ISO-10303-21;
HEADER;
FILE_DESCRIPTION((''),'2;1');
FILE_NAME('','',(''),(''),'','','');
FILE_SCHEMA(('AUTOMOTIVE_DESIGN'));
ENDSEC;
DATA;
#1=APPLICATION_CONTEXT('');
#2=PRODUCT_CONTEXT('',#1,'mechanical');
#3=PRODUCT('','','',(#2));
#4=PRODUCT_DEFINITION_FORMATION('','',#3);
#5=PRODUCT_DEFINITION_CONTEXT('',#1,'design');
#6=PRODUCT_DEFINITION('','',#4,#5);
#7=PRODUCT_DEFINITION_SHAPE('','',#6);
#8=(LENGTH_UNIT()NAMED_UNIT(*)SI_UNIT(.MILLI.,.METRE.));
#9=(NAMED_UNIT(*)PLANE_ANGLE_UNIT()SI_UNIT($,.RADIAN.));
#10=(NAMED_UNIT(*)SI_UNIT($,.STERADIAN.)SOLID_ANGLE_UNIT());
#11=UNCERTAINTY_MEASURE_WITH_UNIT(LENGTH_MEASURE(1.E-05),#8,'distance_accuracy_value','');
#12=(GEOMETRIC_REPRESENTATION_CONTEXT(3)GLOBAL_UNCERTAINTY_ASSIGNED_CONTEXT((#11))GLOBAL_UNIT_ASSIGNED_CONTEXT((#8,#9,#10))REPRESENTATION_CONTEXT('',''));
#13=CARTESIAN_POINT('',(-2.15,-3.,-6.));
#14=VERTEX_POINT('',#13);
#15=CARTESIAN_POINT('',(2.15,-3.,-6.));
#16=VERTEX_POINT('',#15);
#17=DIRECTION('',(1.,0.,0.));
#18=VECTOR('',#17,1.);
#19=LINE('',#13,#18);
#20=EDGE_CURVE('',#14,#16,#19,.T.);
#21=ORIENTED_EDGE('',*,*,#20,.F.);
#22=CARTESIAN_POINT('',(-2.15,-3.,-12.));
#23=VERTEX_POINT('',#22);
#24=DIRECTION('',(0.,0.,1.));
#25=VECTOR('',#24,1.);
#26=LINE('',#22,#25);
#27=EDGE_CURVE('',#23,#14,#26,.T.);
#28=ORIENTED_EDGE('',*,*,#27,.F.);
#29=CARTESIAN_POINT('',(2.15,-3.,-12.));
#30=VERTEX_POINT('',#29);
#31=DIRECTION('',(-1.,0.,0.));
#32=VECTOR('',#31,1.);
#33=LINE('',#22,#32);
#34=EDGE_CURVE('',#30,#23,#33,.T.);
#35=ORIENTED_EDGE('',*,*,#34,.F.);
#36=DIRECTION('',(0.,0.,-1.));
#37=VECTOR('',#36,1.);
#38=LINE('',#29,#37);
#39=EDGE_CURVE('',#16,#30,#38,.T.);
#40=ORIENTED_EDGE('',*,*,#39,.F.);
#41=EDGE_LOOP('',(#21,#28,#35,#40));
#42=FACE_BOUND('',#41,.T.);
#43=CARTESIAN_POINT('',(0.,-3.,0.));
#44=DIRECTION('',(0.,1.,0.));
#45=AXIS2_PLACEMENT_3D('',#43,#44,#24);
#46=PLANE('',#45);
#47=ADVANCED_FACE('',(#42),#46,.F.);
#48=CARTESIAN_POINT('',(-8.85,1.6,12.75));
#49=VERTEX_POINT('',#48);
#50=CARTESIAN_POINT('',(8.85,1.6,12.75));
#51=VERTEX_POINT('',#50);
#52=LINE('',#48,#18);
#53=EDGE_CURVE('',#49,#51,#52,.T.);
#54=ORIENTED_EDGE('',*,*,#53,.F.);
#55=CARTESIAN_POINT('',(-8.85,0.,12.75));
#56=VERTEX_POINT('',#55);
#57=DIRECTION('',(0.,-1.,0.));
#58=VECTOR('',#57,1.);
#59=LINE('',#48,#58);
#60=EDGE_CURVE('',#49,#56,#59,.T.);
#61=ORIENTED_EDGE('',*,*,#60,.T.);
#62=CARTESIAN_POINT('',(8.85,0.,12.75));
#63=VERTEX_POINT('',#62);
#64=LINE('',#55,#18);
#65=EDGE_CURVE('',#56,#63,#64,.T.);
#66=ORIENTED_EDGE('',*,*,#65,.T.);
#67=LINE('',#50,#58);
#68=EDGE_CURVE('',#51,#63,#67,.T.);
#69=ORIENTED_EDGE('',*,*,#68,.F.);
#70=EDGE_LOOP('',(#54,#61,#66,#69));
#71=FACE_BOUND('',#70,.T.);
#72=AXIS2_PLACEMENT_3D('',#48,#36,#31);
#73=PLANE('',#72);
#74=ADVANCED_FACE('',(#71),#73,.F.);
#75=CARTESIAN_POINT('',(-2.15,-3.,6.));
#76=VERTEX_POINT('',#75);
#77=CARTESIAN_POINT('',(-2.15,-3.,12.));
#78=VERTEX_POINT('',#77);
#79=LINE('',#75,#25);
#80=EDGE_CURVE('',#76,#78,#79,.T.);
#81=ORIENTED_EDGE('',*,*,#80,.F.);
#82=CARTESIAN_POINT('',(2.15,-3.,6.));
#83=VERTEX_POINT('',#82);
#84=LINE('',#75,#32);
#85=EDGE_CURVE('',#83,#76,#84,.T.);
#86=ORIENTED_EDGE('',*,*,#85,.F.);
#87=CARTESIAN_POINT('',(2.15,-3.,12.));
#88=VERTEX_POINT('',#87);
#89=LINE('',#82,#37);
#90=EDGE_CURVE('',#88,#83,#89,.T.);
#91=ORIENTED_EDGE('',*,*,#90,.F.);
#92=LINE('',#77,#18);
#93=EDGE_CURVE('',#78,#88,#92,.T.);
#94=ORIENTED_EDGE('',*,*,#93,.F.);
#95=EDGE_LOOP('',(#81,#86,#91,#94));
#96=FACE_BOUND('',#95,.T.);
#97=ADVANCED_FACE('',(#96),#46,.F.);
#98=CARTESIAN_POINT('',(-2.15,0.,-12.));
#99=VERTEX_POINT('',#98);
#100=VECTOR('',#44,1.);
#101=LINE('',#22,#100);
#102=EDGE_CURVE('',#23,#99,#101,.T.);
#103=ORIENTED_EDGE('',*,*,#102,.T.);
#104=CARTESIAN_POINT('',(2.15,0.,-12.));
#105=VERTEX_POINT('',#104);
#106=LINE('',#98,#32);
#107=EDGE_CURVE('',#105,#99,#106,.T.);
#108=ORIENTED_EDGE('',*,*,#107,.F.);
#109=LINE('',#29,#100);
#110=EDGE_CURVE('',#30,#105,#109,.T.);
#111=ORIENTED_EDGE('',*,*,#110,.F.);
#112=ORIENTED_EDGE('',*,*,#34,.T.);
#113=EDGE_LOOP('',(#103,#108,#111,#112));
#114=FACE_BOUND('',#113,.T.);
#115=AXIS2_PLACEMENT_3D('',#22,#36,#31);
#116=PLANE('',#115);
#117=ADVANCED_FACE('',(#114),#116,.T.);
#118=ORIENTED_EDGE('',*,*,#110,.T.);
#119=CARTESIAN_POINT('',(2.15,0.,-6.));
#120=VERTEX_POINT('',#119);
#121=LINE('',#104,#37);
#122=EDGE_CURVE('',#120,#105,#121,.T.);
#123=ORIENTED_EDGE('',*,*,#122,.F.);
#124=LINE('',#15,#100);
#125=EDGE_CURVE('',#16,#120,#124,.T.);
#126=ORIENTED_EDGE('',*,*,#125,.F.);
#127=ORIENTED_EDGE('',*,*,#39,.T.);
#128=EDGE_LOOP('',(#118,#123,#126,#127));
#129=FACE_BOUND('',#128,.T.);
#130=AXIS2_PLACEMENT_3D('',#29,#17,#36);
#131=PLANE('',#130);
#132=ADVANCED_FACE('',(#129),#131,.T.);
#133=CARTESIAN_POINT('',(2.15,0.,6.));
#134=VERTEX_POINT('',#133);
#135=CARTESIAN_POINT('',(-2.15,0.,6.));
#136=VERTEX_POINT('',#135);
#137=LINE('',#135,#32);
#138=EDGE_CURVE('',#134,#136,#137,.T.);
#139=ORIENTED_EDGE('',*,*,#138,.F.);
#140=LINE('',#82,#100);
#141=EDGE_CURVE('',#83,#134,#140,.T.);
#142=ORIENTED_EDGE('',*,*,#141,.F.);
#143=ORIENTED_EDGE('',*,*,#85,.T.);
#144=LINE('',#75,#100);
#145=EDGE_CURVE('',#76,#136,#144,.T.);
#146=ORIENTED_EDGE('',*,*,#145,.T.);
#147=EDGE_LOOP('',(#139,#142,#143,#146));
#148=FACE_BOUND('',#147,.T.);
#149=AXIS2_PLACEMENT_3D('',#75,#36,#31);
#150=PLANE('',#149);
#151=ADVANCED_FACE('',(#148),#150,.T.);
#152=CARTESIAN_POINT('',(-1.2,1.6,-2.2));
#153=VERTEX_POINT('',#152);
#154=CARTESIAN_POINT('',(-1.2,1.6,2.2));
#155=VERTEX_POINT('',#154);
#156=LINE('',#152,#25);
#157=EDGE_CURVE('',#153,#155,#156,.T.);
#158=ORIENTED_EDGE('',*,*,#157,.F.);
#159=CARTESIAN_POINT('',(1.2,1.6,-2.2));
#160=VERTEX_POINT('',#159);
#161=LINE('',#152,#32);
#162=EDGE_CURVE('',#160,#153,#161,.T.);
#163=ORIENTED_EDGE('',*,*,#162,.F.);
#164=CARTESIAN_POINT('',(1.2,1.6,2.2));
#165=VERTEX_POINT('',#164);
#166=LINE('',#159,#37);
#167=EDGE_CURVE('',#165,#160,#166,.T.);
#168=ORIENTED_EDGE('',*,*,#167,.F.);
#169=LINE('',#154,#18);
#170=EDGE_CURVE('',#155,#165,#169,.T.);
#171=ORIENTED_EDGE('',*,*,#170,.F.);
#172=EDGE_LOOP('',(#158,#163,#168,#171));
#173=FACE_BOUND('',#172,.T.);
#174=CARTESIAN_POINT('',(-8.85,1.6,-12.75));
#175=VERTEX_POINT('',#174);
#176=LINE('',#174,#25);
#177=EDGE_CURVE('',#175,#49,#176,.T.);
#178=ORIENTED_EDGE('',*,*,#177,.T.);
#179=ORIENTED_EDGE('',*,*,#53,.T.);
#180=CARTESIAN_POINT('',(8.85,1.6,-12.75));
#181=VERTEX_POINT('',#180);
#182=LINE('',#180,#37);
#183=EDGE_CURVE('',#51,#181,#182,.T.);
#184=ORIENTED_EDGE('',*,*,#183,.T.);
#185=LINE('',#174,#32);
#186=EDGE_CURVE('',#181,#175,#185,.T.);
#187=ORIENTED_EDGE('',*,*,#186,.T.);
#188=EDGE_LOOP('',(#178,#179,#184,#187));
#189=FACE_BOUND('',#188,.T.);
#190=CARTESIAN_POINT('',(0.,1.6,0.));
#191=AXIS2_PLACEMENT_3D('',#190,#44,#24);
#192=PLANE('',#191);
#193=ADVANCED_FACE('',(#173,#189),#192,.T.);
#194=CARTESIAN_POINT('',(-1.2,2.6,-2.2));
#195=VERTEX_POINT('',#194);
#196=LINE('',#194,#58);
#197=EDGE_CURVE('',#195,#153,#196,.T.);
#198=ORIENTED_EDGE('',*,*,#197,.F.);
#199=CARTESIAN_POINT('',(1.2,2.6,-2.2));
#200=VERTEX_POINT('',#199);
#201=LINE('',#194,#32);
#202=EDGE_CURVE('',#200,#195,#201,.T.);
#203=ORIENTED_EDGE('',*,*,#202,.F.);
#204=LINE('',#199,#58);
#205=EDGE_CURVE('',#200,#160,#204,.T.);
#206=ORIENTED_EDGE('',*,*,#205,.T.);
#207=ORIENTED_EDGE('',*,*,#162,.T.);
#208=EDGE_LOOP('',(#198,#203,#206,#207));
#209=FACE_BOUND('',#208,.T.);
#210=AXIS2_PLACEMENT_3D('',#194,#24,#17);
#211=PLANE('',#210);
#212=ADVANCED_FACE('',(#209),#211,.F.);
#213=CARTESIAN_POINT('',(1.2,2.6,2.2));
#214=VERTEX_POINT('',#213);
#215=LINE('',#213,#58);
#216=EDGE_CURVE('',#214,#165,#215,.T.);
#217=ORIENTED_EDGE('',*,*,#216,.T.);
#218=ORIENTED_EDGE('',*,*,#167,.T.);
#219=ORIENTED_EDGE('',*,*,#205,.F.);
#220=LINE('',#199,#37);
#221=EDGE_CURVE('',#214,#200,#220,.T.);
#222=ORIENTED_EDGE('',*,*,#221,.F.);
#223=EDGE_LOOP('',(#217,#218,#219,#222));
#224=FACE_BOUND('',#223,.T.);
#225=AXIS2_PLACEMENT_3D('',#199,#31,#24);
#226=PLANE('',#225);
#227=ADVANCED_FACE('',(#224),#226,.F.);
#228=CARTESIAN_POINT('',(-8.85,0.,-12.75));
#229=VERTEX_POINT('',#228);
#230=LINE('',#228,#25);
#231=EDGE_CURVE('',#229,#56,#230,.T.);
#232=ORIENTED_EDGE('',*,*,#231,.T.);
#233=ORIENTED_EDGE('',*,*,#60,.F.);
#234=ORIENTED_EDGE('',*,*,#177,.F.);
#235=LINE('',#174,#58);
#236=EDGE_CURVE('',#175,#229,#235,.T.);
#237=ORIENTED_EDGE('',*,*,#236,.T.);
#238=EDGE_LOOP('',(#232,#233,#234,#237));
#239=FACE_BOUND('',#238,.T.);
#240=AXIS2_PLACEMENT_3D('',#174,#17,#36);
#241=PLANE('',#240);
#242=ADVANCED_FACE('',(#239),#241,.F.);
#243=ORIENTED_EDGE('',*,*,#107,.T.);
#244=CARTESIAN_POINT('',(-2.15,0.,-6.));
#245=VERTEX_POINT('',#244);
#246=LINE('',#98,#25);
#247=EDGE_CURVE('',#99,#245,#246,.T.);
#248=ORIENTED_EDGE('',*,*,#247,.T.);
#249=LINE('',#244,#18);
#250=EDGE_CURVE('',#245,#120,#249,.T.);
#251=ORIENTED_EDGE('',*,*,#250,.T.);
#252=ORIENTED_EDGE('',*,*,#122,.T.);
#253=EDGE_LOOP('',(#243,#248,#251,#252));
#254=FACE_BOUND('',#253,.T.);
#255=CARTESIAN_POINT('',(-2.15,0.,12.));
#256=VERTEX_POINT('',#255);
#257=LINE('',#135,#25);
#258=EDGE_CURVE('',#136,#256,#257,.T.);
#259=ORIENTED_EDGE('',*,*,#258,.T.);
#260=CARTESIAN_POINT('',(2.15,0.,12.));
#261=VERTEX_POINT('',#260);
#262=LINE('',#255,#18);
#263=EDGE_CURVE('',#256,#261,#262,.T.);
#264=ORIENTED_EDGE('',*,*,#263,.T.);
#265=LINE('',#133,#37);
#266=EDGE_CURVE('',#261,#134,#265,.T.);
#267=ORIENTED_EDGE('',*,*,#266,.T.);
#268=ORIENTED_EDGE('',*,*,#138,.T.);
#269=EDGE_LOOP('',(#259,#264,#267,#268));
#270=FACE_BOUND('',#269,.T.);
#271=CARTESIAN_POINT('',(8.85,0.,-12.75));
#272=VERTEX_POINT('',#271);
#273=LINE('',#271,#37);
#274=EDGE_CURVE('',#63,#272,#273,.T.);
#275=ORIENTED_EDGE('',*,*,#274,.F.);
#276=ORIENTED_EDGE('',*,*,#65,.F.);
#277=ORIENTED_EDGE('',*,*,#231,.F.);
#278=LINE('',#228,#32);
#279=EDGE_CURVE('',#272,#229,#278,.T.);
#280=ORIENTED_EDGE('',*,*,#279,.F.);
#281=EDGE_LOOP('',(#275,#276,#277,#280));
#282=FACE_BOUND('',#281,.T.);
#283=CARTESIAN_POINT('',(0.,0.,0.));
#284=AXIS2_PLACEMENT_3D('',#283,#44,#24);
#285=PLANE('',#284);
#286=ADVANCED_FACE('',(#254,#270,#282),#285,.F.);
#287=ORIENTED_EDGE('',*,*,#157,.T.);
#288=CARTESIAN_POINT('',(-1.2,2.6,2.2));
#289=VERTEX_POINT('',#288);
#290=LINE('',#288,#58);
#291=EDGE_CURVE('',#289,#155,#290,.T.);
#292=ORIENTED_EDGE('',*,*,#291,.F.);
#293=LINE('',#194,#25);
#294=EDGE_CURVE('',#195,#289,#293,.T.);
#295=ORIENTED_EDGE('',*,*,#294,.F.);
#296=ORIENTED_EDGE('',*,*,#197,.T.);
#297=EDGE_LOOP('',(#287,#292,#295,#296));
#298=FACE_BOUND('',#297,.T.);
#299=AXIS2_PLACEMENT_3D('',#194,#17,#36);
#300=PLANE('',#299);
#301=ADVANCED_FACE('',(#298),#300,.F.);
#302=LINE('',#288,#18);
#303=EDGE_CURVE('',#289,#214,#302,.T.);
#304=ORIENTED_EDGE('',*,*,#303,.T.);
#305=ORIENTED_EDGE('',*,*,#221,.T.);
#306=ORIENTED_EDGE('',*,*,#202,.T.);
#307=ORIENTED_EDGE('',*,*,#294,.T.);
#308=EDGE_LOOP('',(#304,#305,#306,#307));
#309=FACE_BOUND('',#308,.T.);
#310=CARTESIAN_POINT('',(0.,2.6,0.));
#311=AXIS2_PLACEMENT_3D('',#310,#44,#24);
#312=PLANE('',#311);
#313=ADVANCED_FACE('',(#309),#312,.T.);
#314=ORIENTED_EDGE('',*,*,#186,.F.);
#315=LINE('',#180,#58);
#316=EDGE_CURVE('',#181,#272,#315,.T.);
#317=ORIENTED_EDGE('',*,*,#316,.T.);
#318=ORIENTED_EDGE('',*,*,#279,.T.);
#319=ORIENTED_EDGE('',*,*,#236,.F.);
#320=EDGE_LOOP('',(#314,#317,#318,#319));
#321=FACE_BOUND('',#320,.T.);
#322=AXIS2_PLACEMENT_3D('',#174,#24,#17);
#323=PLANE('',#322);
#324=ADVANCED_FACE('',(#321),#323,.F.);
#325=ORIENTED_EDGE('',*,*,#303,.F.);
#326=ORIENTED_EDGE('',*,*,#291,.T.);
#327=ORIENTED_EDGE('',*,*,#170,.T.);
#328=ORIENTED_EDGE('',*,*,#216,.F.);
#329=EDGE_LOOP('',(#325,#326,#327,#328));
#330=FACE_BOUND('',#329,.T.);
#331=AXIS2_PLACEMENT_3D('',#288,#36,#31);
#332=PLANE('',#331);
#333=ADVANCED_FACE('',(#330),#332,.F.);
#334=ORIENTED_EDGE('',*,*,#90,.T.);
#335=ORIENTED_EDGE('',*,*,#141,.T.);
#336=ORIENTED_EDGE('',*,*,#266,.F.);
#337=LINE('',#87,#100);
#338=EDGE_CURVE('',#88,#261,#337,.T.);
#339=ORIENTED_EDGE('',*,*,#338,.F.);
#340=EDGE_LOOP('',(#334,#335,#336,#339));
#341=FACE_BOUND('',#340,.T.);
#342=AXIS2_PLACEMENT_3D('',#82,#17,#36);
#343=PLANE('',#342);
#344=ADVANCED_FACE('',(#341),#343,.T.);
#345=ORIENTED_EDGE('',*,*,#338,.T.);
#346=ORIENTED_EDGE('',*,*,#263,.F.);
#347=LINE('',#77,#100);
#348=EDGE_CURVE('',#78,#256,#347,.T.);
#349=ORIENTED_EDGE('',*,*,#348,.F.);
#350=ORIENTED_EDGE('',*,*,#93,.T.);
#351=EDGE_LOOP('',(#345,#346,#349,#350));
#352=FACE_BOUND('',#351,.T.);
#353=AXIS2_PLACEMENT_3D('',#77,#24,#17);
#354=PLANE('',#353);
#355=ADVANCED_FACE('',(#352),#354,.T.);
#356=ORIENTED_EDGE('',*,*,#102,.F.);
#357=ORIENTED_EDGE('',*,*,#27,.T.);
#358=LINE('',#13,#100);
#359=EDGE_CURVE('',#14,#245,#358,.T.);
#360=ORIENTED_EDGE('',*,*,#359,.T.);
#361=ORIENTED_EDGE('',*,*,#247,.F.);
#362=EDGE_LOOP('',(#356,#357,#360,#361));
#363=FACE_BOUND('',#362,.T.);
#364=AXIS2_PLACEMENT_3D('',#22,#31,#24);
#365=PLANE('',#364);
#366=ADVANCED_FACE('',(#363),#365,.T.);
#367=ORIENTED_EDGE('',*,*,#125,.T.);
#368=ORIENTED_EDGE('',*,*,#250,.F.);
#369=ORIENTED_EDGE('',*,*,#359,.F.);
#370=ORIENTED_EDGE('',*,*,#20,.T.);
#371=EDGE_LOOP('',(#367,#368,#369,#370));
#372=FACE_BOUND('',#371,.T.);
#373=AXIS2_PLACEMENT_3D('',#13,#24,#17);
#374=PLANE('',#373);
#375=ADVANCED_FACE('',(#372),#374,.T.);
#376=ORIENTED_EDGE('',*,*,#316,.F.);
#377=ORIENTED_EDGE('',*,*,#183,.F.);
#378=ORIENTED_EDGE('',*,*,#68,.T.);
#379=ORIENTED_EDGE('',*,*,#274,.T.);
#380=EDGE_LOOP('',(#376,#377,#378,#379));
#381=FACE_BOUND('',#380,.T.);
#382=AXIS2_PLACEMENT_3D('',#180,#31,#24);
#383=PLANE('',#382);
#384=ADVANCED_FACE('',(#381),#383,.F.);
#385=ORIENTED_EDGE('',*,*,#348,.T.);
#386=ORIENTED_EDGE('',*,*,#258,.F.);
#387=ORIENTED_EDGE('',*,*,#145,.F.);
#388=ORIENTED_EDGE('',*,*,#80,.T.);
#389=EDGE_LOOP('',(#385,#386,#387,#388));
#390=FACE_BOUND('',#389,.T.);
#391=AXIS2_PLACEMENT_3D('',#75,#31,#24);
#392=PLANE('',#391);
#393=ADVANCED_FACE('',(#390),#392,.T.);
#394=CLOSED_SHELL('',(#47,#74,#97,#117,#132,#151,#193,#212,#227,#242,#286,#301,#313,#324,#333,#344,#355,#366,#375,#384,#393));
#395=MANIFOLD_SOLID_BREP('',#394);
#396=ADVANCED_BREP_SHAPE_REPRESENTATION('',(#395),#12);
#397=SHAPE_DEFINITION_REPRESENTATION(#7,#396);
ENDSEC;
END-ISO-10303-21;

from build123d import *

# Parameters (mm, degrees)
SK_BOARD_W              = 17.7
SK_BOARD_H              = 25.5
EX_BOARD_DEPTH          = 1.6
SK_SENSOR_W             = 2.4
SK_SENSOR_H             = 4.4
EX_SENSOR_DEPTH         = 1
SK_KEEPOUT_STEMMA_W     = 4.3
SK_KEEPOUT_STEMMA_H     = 6
EX_KEEPOUT_STEMMA_DEPTH = 3


with BuildPart() as part:
    # SK_Board → EX_Board (new body)
    with BuildSketch(Plane(origin=(0, 0, 0), x_dir=(1, 0, 0), z_dir=(0, 1, 0))):
        Rectangle(SK_BOARD_W, SK_BOARD_H)
    extrude(amount=EX_BOARD_DEPTH)

    # SK_Sensor → EX_Sensor (add)
    with BuildSketch(Plane(origin=(0, 1.6, 0), x_dir=(1, 0, 0), z_dir=(0, 1, 0))):
        Rectangle(SK_SENSOR_W, SK_SENSOR_H)
    extrude(amount=EX_SENSOR_DEPTH)

    # SK_KeepOut_STEMMA → EX_KeepOut_STEMMA (add)
    with BuildSketch(Plane(origin=(0, 0, 0), x_dir=(1, 0, 0), z_dir=(0, 1, 0))):
        with Locations((0, -9)):
            Rectangle(SK_KEEPOUT_STEMMA_W, SK_KEEPOUT_STEMMA_H)
        with Locations((0, 9)):
            Rectangle(SK_KEEPOUT_STEMMA_W, SK_KEEPOUT_STEMMA_H)
    extrude(amount=-EX_KEEPOUT_STEMMA_DEPTH)


solid = part.part
